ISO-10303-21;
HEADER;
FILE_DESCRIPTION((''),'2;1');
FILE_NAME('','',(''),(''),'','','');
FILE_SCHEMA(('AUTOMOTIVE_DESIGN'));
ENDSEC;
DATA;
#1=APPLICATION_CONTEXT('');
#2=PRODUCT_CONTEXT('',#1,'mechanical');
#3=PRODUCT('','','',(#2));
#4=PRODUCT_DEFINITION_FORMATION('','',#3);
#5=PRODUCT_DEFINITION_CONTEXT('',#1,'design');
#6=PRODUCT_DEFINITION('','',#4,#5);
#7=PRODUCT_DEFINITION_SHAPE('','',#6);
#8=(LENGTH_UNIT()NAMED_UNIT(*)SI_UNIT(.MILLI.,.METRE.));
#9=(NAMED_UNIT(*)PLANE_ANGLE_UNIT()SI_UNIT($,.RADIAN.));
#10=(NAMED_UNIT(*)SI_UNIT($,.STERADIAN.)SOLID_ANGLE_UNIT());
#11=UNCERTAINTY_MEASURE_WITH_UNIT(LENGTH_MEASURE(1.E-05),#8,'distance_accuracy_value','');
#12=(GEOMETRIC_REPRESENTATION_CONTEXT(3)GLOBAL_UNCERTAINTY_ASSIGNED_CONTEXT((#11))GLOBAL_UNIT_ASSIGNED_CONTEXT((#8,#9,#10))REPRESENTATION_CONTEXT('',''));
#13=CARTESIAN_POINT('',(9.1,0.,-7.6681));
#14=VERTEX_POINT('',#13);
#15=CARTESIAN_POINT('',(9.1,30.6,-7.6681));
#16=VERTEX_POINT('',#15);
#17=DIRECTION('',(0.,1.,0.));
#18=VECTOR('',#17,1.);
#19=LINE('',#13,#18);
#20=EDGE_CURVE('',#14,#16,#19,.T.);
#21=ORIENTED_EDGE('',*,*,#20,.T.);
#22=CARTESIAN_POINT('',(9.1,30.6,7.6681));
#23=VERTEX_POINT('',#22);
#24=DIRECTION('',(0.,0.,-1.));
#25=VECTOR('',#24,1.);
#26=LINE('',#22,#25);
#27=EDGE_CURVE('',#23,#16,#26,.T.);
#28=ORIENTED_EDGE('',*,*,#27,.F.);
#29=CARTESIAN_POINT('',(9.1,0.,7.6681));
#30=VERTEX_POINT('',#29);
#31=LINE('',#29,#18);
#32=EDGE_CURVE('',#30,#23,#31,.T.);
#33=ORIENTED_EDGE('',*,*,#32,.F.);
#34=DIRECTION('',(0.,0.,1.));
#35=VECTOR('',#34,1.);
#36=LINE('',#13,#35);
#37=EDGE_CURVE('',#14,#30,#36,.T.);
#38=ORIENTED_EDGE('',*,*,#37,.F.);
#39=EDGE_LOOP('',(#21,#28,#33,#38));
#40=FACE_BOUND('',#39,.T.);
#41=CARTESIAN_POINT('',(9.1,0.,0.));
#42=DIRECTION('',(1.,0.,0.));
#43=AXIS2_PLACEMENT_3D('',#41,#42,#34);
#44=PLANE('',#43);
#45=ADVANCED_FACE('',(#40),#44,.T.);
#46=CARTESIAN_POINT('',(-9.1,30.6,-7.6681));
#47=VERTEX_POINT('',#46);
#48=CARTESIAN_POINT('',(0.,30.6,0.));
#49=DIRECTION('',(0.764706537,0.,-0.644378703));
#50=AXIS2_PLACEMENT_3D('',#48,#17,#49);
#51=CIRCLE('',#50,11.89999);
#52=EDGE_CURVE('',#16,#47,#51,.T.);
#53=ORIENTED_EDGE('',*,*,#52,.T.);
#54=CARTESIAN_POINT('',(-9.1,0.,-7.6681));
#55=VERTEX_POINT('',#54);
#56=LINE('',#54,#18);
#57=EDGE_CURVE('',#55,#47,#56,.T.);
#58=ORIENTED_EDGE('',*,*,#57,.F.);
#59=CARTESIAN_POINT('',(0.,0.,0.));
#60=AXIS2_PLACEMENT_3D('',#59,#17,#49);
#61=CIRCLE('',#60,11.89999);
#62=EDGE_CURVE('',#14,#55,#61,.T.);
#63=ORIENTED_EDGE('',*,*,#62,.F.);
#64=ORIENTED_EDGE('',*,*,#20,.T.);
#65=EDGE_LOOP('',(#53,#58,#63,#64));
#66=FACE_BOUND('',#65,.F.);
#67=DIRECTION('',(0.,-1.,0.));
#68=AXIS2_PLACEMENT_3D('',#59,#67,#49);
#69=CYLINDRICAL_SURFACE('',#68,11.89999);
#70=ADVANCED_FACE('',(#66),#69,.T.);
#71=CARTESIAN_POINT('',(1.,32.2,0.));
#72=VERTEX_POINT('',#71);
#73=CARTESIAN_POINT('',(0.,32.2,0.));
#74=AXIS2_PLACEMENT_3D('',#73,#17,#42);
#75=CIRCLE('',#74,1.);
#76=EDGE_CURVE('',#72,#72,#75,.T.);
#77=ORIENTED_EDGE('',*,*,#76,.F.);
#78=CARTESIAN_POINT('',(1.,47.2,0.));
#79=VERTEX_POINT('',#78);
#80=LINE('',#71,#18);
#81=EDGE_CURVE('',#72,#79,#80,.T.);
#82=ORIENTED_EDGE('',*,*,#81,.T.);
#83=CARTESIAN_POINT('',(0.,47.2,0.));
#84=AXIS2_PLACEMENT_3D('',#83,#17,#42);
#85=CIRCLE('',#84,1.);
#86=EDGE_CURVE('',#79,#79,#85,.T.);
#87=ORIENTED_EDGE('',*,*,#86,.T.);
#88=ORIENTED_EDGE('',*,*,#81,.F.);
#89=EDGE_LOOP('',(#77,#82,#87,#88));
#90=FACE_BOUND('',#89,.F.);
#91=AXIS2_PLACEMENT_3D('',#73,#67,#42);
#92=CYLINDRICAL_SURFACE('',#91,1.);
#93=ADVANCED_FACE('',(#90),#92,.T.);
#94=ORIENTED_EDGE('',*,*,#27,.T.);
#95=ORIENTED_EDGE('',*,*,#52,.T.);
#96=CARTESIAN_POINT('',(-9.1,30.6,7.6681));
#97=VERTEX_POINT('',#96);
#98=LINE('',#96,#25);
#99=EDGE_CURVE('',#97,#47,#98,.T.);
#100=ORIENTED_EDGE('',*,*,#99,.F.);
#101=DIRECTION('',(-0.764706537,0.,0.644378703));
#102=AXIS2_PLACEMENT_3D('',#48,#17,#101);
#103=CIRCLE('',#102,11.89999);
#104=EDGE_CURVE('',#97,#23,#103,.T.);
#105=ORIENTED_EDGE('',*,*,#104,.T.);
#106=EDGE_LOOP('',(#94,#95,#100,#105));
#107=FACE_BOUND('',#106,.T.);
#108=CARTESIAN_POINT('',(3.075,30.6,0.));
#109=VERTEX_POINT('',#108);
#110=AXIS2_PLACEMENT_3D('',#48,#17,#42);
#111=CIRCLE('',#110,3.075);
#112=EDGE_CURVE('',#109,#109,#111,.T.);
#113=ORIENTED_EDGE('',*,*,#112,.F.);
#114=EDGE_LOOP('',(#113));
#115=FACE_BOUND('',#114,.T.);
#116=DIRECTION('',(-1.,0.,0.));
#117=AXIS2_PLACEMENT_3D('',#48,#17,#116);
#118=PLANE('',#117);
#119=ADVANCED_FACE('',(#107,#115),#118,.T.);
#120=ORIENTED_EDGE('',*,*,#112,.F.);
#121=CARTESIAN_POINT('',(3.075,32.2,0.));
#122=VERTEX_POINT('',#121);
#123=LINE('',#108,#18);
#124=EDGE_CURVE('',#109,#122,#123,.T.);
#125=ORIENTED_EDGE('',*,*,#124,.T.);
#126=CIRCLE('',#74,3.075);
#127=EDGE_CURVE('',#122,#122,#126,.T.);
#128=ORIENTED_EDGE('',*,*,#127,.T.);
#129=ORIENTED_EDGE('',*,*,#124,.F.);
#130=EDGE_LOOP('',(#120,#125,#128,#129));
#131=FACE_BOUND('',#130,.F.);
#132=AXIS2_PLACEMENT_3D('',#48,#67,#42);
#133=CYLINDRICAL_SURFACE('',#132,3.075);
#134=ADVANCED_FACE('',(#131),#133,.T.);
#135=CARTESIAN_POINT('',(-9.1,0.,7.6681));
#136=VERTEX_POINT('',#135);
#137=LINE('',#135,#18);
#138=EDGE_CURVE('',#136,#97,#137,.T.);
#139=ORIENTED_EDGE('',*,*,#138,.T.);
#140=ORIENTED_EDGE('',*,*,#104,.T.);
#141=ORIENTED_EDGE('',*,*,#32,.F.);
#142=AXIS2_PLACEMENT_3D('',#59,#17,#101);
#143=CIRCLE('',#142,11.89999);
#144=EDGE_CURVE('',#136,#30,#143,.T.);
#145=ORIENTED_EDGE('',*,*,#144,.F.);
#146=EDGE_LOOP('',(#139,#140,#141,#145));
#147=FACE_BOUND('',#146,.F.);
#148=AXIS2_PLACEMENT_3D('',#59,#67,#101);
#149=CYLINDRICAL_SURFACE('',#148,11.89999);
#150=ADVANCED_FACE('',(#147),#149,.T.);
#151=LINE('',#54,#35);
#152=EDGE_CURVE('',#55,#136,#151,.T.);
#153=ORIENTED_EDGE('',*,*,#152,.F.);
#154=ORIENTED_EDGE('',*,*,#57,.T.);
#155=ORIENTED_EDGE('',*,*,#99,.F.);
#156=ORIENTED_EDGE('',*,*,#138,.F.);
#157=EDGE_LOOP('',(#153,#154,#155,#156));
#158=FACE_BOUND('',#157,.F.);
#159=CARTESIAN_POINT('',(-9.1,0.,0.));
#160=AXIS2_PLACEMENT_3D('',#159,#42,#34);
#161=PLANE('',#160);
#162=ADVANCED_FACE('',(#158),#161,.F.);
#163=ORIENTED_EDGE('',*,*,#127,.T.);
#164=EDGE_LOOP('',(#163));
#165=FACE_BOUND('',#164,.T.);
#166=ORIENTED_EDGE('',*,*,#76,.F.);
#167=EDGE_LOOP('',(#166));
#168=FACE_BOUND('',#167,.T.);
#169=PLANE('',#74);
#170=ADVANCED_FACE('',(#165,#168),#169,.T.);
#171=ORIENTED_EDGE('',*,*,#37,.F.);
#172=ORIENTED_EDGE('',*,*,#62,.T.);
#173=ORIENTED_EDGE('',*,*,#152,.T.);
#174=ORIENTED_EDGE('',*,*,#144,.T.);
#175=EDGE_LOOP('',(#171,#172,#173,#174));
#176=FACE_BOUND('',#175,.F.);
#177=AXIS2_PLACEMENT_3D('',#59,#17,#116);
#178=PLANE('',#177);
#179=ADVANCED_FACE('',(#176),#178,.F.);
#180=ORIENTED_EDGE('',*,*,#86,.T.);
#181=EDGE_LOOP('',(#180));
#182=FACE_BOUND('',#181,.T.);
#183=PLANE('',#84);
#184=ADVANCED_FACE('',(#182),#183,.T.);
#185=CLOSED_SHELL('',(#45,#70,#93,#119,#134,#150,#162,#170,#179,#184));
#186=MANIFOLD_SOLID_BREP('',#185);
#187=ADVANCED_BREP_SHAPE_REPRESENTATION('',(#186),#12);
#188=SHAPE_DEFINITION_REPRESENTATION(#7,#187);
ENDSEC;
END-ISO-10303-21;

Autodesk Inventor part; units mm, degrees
ref_plane "YZ Plane" through (0, 0, 0) normal (1, 0, 0) x (0, 1, 0)
ref_plane "XZ Plane" through (0, 0, 0) normal (0, 1, 0) x (-1, 0, 0)
ref_plane "XY Plane" through (0, 0, 0) normal (0, 0, 1) x (1, 0, 0)
sketch "Sketch1" plane through (0, 0, 0) normal (0, 1, 0) x (-1, 0, 0)
  point P0 (0, 0)
sketch "Sketch2" plane through (0, 0, 0) normal (0, 1, 0) x (-1, 0, 0)
  arc A0 (9.1, 7.6681) -> (-9.1, 7.6681) centre (0, 0) ccw
  line L0 (0, 0) -> (9.1, 0)
  line L1 (9.1, 0) -> (-9.1, 0)
  line L2 (-9.1, 0) -> (-9.1, -7.6681)
  line L3 (-9.1, 0) -> (-9.1, 7.6681)
  line L4 (9.1, 0) -> (9.1, -7.6681)
  line L5 (9.1, 0) -> (9.1, 7.6681)
  arc A1 (-9.1, -7.6681) -> (9.1, -7.6681) centre (0, 0) ccw
  dimension "d0" = 23.8
  dimension "d1" = 9.1
  dimension "d2" = 18.2
extrude "Extrusion1" add sketch "Sketch2" along normal blind 30.6
sketch "Sketch3" plane through (0, 30.6, 0) normal (0, 1, 0) x (1, 0, 0)
  circle A0 centre (0, 0) radius 3.075
  dimension "d5" = 6.15
extrude "Extrusion2" add sketch "Sketch3" along normal blind 1.6
sketch "Sketch4" plane through (0, 32.2, 0) normal (0, 1, 0) x (1, 0, 0)
  circle A0 centre (0, 0) radius 1
  dimension "d8" = 2
extrude "Extrusion3" add sketch "Sketch4" along normal blind 15
sketch "Sketch5" plane through (0, 30.6, 0) normal (0, 1, 0) x (1, 0, 0)
  arc A0 (-9.1, -7.6681) -> (9.1, -7.6681) centre (0, 0) ccw projected
  line L0 (9.1, -7.6681) -> (-9.1, -7.6681)
  circle A1 centre (0, 0) radius 1 projected
  line L1 (0, 0) -> (0, -7.6681)
properties part number "Dc-Motor"
